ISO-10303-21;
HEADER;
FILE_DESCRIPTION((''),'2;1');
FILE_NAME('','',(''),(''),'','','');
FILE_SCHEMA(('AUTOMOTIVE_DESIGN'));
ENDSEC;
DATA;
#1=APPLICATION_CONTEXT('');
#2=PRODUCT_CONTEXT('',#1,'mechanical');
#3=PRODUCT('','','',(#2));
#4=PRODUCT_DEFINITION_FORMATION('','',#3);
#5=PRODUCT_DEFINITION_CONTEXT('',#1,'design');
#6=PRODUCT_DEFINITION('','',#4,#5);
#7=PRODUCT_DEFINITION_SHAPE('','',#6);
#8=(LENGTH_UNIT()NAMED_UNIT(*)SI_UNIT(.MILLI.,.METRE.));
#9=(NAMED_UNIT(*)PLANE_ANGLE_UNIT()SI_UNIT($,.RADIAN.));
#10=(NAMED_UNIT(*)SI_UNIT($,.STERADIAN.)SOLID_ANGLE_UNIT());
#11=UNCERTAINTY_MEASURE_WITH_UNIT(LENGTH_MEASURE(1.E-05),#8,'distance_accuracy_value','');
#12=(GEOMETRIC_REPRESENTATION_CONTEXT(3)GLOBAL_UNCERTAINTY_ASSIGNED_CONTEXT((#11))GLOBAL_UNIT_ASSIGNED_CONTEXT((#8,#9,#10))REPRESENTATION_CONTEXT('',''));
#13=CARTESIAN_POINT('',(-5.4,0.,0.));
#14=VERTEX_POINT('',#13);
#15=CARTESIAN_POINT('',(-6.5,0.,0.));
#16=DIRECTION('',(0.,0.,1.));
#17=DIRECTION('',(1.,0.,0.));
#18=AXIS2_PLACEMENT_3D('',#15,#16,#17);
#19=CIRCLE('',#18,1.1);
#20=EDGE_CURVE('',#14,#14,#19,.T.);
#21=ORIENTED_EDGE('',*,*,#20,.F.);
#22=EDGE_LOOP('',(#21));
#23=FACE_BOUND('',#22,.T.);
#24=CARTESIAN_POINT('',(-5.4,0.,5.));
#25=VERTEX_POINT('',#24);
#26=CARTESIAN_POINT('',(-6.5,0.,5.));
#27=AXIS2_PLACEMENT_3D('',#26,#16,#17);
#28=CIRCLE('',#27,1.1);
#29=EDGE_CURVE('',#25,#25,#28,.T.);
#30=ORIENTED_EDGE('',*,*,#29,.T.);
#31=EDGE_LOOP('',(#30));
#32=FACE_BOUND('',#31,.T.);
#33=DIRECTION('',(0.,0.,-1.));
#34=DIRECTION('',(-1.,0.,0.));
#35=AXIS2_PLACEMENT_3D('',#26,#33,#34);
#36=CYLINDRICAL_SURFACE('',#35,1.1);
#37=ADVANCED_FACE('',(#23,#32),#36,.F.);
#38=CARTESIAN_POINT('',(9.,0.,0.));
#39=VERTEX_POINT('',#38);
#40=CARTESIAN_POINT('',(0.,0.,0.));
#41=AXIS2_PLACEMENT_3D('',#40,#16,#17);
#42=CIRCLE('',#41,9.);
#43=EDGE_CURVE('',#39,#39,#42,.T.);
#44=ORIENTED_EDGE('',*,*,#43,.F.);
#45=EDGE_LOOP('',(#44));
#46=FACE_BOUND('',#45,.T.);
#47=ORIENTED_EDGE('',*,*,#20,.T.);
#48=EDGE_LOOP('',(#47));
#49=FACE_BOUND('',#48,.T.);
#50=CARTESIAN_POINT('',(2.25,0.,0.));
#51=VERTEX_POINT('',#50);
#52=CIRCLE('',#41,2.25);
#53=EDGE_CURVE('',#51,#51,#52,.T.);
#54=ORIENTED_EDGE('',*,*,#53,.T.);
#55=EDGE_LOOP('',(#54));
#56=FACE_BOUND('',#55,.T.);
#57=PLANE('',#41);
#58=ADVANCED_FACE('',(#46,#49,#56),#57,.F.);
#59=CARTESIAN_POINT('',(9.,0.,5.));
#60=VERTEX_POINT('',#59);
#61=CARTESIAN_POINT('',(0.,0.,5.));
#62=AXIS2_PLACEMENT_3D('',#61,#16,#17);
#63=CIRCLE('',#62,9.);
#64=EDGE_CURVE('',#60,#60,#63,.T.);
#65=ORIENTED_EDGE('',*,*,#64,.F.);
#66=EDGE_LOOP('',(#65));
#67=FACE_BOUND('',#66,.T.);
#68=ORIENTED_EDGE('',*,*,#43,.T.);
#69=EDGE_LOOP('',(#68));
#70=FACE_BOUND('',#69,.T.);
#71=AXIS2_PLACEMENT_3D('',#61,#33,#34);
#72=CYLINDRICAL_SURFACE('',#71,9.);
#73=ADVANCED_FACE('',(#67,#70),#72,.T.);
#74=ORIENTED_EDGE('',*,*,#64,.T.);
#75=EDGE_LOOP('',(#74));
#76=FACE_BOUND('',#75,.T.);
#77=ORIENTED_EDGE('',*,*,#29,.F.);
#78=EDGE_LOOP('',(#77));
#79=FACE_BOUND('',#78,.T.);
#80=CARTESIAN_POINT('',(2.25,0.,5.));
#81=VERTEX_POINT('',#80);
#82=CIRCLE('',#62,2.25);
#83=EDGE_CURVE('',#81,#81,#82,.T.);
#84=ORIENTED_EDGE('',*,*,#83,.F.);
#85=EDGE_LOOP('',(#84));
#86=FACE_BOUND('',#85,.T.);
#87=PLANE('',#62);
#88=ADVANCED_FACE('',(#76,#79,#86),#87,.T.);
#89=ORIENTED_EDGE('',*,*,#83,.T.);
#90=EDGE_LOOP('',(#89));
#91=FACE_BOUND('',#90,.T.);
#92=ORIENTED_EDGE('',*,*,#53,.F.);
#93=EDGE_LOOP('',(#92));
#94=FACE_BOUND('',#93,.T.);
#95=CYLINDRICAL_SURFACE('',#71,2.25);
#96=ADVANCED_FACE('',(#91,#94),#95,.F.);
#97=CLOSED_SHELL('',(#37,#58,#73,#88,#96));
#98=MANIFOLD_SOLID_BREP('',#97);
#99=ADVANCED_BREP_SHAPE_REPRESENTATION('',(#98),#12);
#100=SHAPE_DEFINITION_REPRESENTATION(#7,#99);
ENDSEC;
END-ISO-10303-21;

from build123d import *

# Parameters (mm, degrees)
SKETCH1_R           = 9
SKETCH1_R_2         = 2.25
SKETCH1_R_3         = 1.1
BOSS_EXTRUDE1_DEPTH = 5


with BuildPart() as part:
    # Sketch1 → Boss-Extrude1 (new body)
    with BuildSketch(Plane.XY):
        Circle(SKETCH1_R)
        Circle(SKETCH1_R_2, mode=Mode.SUBTRACT)
        with Locations((-6.5, 0)):
            Circle(SKETCH1_R_3, mode=Mode.SUBTRACT)
    extrude(amount=BOSS_EXTRUDE1_DEPTH)


solid = part.part
